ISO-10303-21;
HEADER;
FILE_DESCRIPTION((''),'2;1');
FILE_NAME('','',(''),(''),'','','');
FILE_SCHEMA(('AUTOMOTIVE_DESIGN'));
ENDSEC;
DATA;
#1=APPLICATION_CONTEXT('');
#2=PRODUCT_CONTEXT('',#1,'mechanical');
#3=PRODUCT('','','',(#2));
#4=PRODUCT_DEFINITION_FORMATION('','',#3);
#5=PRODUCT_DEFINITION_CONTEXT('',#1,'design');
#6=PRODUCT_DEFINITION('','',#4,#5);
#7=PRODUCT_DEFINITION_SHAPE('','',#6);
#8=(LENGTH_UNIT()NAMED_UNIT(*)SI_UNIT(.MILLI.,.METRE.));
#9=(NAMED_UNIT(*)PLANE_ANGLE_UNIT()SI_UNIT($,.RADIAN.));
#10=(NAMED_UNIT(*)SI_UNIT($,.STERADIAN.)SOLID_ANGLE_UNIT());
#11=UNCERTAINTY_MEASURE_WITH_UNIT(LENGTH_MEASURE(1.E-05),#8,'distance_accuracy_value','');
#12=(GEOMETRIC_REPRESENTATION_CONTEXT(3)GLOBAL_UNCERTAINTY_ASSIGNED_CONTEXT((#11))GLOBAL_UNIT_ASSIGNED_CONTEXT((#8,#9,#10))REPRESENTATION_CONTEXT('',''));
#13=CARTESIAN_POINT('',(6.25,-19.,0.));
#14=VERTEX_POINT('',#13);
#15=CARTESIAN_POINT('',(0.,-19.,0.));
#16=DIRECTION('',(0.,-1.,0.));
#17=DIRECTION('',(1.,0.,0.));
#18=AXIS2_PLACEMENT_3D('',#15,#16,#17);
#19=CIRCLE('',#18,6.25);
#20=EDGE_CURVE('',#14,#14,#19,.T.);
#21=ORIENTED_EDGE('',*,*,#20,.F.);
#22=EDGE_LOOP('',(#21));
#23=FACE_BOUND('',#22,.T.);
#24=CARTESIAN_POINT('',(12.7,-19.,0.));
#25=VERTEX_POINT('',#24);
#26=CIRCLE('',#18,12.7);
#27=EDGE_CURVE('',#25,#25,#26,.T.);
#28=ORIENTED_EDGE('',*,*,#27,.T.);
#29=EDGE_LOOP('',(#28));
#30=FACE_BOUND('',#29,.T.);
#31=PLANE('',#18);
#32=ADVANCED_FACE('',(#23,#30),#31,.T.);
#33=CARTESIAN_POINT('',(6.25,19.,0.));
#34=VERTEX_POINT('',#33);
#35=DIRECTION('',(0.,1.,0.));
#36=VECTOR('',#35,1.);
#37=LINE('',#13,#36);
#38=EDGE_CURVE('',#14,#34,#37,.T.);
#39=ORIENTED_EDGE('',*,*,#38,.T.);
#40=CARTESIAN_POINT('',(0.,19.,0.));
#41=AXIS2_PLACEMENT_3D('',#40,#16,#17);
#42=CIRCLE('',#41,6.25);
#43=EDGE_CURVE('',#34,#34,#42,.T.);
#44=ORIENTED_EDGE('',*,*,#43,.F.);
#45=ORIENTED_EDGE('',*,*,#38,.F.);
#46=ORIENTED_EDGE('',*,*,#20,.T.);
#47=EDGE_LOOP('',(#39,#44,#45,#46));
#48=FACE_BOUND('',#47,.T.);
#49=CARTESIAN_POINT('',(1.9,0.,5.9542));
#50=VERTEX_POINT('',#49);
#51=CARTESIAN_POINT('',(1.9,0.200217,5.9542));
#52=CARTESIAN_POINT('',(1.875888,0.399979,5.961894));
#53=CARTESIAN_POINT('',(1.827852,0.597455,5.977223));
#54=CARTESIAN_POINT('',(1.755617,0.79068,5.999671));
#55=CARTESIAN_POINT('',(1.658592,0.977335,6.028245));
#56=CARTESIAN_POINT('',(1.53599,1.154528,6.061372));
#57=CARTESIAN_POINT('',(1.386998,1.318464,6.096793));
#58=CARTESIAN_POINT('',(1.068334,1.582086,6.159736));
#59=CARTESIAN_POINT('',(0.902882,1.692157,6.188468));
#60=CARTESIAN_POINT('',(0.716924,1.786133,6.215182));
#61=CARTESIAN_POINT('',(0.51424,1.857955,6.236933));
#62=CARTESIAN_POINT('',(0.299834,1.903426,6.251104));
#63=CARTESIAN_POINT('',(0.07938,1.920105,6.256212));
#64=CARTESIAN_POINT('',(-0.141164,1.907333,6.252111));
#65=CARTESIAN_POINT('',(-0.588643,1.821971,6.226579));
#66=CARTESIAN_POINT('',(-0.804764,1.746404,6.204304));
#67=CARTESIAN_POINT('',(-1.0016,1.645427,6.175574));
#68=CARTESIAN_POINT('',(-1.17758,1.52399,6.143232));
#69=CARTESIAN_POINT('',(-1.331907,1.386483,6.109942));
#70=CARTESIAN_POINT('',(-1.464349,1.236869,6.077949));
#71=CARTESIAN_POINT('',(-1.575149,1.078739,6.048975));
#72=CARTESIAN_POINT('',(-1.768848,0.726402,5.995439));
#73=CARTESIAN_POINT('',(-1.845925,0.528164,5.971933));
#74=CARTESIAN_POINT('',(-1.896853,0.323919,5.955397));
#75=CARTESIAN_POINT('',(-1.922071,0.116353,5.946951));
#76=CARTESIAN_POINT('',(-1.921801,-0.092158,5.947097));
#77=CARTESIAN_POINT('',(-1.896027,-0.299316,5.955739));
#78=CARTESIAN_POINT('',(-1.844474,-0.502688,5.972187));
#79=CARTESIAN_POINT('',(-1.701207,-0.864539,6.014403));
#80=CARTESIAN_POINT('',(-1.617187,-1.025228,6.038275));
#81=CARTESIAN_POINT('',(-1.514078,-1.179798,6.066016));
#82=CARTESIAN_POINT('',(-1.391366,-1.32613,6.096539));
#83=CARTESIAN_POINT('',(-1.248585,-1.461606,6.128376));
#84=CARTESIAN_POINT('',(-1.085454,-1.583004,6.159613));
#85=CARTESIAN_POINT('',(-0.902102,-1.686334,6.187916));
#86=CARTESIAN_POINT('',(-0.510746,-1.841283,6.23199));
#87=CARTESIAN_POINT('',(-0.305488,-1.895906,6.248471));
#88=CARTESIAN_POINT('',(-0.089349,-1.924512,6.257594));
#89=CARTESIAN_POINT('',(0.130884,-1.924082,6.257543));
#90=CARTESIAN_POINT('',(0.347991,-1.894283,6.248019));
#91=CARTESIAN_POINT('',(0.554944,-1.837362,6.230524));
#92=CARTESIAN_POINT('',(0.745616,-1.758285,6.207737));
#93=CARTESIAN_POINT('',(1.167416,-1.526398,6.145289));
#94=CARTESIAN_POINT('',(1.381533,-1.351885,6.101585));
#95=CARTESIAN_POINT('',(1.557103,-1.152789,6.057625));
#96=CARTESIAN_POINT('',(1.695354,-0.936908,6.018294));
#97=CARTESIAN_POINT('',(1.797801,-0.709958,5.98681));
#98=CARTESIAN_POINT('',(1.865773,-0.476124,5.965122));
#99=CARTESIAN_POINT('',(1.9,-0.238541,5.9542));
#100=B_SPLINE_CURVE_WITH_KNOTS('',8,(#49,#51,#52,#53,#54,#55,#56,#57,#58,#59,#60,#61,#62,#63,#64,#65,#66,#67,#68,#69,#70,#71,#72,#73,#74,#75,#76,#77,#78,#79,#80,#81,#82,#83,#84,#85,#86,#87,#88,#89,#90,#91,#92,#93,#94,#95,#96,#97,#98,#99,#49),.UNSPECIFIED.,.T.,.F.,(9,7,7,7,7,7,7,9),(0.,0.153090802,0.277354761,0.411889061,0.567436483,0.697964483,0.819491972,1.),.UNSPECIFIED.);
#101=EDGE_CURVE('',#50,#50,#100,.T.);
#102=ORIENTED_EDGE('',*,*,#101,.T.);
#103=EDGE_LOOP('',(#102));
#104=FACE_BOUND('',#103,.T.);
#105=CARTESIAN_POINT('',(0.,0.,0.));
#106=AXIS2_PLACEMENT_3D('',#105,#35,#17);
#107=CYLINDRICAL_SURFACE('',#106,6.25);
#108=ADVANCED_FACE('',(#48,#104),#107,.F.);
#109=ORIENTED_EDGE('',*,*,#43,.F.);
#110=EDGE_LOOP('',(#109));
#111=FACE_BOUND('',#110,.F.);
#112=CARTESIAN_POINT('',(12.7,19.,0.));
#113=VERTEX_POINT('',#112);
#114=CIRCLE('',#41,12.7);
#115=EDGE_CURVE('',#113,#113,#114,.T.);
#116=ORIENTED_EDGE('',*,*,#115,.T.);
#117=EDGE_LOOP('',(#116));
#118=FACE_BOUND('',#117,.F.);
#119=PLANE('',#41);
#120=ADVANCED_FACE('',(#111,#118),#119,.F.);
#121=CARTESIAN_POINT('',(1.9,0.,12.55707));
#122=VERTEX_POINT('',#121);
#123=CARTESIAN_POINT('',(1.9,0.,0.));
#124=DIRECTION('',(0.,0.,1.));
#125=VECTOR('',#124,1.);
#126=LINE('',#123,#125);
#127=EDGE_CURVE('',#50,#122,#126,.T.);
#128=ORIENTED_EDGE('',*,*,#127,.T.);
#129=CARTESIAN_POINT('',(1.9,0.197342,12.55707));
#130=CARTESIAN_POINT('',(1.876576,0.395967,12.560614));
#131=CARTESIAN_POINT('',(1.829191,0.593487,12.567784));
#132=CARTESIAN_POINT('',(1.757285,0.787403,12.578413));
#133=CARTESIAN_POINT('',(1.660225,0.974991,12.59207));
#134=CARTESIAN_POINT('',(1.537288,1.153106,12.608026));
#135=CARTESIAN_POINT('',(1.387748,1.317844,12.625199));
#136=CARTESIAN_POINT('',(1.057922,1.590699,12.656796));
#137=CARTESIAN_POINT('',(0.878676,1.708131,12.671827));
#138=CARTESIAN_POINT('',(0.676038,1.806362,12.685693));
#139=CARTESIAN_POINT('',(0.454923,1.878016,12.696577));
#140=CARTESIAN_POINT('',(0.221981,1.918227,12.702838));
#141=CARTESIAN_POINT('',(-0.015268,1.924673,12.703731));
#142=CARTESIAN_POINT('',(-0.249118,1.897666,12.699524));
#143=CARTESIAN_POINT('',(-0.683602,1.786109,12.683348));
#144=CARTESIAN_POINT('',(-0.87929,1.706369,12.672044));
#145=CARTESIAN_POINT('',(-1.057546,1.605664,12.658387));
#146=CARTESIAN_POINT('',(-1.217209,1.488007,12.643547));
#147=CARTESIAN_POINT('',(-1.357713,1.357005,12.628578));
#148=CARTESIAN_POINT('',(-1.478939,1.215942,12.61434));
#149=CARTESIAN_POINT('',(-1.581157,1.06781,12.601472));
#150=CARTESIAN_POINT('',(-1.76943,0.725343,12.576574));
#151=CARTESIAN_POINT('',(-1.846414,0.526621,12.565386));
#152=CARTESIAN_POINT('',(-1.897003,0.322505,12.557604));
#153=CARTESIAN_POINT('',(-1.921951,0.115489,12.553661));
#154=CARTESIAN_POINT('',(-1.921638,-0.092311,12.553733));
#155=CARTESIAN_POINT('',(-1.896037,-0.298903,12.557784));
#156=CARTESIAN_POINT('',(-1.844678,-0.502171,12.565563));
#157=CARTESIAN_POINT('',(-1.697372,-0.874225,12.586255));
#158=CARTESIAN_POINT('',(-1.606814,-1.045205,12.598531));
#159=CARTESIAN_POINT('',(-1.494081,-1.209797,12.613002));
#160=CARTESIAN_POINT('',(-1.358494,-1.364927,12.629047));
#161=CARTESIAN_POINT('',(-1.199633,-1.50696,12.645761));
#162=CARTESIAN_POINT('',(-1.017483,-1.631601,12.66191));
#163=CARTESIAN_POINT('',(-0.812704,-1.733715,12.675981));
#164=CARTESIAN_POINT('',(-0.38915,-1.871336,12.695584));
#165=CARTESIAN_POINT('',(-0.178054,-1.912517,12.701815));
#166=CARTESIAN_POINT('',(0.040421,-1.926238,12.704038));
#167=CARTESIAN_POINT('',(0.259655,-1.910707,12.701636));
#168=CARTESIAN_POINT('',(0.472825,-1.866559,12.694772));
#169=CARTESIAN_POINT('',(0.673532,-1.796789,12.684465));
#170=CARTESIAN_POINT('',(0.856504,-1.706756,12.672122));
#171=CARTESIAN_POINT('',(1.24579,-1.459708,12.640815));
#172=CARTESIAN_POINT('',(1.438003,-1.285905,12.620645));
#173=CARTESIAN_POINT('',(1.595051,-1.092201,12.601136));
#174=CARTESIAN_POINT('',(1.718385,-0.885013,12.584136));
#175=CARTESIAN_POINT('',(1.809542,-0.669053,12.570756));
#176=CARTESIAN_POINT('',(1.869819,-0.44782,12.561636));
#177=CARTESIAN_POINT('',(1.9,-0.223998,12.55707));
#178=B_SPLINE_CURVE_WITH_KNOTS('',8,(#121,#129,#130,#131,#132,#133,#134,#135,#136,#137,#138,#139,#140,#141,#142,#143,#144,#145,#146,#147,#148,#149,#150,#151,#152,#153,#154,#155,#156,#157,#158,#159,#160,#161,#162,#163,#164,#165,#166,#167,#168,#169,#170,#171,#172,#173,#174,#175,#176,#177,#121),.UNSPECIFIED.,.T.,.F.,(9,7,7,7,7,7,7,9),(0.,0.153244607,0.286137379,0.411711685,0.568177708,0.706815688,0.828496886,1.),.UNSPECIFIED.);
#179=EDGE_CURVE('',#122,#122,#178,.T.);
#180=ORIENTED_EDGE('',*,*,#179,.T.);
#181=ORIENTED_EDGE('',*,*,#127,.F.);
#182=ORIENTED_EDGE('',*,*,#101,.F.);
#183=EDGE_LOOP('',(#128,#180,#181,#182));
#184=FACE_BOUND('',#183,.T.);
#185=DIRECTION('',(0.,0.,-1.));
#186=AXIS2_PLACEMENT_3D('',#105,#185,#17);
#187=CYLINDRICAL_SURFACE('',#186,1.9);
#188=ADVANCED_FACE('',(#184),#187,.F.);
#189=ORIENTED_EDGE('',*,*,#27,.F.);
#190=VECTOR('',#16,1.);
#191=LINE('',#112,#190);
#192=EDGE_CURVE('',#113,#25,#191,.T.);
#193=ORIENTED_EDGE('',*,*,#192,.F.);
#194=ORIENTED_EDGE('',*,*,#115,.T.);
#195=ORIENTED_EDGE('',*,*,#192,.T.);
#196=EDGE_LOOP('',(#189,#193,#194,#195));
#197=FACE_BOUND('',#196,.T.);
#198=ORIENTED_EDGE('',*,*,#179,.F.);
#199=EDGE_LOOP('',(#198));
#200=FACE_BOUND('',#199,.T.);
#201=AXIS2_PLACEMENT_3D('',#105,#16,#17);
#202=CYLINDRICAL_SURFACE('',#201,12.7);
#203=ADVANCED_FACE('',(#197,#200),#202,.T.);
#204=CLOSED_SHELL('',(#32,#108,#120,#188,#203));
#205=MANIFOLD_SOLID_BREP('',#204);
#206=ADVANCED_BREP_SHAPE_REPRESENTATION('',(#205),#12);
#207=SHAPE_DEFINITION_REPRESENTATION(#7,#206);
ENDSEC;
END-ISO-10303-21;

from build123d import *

# Parameters (mm, degrees)
F0_R     = 12.7
F0_R_2   = 6.25
F1_DEPTH = 19
F2_R     = 1.9
F3_DEPTH = 13.7000001001


with BuildPart() as f1:
    # F0 (on Front) → F1 (new body, symmetric)
    with BuildSketch(Plane.XZ):
        Circle(F0_R)
        Circle(F0_R_2, mode=Mode.SUBTRACT)
    extrude(amount=F1_DEPTH, both=True)

    # F2 (on Top) → F3 (cut, up to face)
    with BuildSketch(Plane.XY):
        Circle(F2_R)
    extrude(amount=F3_DEPTH, mode=Mode.SUBTRACT)


solid = f1.part
